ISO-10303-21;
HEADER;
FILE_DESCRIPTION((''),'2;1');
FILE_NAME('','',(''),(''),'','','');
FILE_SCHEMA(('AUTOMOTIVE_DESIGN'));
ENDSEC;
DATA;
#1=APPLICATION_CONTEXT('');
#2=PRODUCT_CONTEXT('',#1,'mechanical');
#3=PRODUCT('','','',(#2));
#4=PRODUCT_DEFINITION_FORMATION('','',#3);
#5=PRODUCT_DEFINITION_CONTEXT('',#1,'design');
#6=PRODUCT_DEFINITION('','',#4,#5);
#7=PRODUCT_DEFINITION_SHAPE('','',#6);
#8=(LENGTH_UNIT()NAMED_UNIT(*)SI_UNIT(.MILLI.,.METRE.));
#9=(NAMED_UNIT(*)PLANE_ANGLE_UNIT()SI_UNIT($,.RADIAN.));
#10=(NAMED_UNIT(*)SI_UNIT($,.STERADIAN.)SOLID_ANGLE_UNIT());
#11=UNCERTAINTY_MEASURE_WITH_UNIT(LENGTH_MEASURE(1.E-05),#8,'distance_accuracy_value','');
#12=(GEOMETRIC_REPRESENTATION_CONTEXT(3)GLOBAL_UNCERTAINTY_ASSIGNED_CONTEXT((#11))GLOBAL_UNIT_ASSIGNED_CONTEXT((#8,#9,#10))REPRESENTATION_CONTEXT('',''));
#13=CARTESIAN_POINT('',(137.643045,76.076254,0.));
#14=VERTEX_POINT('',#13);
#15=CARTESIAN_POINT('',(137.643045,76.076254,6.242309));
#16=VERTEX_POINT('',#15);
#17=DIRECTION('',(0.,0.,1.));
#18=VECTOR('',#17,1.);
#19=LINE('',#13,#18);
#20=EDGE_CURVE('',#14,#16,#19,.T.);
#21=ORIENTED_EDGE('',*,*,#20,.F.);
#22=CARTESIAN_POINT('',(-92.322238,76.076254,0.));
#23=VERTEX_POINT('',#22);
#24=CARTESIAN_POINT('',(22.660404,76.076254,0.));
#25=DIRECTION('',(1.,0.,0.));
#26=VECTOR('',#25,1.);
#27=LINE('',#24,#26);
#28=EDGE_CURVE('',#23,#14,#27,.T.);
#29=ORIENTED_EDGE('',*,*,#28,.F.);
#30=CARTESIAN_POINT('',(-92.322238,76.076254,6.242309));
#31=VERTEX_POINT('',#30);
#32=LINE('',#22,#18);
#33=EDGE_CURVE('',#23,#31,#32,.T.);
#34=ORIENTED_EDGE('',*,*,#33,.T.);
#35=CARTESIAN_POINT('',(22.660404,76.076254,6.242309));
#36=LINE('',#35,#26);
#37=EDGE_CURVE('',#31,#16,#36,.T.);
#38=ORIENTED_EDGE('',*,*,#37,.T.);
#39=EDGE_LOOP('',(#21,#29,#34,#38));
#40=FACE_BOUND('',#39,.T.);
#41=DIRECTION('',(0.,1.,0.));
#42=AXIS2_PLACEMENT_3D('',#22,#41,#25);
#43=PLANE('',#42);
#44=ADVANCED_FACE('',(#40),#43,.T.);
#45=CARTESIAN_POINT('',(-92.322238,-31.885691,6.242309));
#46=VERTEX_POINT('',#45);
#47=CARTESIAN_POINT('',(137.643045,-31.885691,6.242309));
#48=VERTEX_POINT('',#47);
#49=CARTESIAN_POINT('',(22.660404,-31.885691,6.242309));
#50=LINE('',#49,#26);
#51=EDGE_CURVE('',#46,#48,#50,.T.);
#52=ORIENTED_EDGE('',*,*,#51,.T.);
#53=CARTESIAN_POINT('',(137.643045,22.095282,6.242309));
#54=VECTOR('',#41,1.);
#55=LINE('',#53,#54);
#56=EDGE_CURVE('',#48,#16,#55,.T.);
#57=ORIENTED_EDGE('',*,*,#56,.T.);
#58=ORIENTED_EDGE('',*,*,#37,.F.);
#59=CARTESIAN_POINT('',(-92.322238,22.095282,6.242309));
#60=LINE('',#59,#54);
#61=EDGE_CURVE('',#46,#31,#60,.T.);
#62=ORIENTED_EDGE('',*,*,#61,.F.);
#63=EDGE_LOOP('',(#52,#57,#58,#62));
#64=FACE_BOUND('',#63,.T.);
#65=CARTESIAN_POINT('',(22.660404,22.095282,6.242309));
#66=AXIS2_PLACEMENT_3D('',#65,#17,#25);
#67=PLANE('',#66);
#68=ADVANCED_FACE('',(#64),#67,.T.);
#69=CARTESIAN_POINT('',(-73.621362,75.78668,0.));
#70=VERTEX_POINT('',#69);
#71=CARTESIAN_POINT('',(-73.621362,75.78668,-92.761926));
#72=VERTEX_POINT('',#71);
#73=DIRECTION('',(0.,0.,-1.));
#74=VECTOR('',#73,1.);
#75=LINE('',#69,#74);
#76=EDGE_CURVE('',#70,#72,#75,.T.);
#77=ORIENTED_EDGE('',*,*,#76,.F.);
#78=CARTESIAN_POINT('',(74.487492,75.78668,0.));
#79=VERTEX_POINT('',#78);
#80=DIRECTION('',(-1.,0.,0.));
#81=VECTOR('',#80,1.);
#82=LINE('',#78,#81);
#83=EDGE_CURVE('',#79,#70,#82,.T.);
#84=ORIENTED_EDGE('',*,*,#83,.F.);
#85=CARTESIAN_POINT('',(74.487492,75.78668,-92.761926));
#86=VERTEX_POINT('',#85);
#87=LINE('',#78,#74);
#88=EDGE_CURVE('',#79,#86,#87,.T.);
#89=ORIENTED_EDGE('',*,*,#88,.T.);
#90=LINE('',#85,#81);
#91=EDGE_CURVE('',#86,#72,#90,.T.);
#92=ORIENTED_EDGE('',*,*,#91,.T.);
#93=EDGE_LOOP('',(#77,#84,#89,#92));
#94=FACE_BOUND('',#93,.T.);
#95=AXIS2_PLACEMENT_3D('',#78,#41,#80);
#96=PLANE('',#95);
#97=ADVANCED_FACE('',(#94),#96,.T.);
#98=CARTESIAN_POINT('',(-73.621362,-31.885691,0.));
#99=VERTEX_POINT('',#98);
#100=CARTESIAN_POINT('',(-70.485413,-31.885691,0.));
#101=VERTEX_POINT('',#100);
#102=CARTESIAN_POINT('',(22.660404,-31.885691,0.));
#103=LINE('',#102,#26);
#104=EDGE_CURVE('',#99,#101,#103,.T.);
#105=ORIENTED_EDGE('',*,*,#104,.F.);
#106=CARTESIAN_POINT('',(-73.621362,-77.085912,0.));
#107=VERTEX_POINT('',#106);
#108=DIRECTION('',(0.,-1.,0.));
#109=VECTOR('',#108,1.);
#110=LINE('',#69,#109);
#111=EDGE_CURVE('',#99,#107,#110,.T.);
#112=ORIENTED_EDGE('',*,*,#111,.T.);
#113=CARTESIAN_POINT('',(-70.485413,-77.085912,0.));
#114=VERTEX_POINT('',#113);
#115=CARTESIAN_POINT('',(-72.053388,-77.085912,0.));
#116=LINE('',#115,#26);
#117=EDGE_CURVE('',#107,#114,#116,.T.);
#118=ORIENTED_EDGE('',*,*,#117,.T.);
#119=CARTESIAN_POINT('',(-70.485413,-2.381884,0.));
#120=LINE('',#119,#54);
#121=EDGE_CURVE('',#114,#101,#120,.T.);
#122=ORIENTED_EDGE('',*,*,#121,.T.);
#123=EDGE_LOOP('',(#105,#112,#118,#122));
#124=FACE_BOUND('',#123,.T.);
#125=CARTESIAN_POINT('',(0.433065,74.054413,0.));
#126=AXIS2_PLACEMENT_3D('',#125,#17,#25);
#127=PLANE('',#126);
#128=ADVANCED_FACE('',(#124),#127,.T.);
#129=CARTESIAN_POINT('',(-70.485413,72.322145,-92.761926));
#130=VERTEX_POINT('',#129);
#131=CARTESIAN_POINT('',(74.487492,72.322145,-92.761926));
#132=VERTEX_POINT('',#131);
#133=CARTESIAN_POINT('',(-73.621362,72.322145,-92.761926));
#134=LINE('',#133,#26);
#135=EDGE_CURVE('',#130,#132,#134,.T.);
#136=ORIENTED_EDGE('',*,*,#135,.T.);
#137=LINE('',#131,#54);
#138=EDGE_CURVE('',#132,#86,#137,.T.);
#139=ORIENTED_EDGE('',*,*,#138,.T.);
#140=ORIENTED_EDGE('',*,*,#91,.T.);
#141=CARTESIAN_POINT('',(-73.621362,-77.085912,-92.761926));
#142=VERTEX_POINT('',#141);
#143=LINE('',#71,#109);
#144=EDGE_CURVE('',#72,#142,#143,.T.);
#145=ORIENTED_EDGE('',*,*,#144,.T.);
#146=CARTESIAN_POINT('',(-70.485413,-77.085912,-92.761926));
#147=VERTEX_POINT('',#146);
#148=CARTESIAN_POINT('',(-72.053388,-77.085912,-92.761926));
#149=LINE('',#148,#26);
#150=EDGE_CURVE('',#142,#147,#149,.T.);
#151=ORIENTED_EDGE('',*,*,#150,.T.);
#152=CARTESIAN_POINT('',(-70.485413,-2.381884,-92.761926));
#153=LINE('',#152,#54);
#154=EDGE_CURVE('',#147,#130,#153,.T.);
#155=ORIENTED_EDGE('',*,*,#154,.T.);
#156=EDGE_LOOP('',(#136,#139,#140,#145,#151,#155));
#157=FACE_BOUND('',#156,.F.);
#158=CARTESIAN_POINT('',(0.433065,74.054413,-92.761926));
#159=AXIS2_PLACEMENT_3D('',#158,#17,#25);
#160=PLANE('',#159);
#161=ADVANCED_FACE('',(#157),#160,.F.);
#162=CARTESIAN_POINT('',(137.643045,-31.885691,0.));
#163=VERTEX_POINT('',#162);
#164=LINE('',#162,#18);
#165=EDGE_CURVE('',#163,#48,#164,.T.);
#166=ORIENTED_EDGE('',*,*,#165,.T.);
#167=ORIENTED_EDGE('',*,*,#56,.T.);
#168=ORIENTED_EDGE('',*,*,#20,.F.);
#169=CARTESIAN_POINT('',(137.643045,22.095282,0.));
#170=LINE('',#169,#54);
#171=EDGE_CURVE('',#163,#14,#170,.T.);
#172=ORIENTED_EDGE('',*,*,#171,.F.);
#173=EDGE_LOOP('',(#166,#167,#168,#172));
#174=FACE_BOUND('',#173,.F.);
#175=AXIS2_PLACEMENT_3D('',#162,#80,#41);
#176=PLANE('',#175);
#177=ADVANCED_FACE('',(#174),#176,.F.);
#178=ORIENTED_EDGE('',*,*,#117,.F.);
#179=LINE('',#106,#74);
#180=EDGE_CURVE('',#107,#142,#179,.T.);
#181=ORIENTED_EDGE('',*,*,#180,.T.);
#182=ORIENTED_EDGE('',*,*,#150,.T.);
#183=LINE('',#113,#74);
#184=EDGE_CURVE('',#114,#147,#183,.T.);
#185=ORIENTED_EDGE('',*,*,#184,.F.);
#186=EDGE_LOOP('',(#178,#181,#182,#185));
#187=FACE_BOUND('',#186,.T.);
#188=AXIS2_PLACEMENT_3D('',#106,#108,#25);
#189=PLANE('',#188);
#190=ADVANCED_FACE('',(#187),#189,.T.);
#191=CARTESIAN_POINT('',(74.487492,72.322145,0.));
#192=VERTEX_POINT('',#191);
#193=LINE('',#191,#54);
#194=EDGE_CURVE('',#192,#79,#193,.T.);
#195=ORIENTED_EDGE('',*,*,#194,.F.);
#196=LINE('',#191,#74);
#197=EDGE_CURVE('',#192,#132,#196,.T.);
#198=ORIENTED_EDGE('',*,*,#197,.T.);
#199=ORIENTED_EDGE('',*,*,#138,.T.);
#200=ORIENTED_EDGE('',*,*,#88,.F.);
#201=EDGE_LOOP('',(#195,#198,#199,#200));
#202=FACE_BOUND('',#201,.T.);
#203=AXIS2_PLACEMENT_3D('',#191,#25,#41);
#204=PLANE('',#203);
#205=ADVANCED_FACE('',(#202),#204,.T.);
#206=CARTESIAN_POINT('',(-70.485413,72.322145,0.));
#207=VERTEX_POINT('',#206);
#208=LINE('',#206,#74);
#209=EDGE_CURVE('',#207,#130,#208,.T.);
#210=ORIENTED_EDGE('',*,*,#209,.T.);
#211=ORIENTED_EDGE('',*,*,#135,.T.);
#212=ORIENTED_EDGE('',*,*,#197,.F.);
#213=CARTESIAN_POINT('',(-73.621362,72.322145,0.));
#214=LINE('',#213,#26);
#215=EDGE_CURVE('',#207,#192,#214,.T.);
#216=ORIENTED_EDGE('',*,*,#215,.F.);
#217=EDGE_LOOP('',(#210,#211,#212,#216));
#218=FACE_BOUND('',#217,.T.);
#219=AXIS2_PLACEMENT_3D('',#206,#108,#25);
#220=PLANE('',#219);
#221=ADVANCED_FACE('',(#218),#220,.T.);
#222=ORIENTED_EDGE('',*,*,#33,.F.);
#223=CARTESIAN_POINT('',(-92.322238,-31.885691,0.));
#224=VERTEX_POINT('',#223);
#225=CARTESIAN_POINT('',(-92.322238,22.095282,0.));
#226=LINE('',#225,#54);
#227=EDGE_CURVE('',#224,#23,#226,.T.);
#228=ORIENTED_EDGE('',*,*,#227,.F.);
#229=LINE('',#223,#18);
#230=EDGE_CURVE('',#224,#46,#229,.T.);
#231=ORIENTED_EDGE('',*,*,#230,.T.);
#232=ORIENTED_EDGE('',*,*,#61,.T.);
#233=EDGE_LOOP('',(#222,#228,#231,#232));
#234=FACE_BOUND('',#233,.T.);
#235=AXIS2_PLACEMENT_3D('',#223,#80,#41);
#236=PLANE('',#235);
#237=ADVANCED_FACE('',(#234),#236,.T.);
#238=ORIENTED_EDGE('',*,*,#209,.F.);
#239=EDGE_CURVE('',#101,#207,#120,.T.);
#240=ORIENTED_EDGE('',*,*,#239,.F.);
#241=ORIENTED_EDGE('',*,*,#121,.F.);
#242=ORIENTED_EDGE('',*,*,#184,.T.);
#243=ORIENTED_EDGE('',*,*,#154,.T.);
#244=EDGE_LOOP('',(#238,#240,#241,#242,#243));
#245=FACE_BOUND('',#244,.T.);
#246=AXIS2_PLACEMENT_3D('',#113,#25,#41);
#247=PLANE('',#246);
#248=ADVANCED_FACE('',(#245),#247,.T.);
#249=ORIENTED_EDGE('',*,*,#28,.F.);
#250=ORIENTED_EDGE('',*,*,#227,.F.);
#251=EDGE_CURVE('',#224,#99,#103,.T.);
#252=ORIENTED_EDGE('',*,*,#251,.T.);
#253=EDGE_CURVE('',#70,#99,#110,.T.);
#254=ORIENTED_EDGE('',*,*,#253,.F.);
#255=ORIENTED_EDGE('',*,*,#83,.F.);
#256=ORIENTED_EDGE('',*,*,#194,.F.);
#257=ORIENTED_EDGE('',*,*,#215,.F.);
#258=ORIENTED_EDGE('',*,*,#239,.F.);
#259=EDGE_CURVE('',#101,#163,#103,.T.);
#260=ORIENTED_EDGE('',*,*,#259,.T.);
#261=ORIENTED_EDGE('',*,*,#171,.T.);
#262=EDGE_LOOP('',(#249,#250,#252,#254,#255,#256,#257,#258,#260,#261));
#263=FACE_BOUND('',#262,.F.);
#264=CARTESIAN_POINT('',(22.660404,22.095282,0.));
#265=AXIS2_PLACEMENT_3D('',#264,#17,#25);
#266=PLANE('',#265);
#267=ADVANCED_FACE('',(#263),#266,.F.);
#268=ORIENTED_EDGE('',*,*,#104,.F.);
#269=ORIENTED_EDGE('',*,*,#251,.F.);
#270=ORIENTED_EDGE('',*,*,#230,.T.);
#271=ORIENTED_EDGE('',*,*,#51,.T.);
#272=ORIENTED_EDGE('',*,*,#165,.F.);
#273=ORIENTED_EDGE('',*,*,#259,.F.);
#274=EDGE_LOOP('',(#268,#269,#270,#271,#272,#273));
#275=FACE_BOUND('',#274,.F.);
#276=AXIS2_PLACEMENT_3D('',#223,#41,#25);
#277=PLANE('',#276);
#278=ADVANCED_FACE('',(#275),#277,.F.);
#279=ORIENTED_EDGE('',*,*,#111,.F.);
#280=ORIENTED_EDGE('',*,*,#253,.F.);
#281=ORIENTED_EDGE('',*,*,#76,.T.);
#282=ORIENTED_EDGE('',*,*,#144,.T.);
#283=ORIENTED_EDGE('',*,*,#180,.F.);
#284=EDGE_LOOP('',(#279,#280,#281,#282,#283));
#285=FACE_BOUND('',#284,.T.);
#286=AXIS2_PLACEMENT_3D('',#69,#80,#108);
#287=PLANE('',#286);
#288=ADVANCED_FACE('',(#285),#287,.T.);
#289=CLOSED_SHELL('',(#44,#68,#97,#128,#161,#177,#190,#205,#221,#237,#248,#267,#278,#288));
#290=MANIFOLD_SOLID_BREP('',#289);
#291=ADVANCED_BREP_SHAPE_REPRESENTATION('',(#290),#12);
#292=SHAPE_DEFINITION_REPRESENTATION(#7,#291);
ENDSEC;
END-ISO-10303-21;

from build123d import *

# Parameters (mm, degrees)
F0_W     = 3.1359493732
F0_H     = 149.408057332
F1_DEPTH = 92.761926353
F2_W     = 229.9652826041
F2_H     = 107.9619452357
F3_DEPTH = 6.2423087656


with BuildPart() as f1:
    # F0 (on Top) → F1 (new body)
    with BuildSketch(Plane.XY):
        Polygon((-73.6213624477, 75.7866799831), (-73.6213624477, 72.3221451044), (-70.4854130745, 72.3221451044), (74.4874924421, 72.3221451044), (74.4874924421, 75.7866799831), align=None)
        with Locations((-72.0533877611, -2.3818835616)):
            Rectangle(F0_W, F0_H)
    extrude(amount=-F1_DEPTH)

    # F2 (on Top) → F3 (join)
    with BuildSketch(Plane.XY):
        with Locations((22.6604035124, 22.0952816308)):
            Rectangle(F2_W, F2_H)
    extrude(amount=F3_DEPTH)


solid = f1.part
